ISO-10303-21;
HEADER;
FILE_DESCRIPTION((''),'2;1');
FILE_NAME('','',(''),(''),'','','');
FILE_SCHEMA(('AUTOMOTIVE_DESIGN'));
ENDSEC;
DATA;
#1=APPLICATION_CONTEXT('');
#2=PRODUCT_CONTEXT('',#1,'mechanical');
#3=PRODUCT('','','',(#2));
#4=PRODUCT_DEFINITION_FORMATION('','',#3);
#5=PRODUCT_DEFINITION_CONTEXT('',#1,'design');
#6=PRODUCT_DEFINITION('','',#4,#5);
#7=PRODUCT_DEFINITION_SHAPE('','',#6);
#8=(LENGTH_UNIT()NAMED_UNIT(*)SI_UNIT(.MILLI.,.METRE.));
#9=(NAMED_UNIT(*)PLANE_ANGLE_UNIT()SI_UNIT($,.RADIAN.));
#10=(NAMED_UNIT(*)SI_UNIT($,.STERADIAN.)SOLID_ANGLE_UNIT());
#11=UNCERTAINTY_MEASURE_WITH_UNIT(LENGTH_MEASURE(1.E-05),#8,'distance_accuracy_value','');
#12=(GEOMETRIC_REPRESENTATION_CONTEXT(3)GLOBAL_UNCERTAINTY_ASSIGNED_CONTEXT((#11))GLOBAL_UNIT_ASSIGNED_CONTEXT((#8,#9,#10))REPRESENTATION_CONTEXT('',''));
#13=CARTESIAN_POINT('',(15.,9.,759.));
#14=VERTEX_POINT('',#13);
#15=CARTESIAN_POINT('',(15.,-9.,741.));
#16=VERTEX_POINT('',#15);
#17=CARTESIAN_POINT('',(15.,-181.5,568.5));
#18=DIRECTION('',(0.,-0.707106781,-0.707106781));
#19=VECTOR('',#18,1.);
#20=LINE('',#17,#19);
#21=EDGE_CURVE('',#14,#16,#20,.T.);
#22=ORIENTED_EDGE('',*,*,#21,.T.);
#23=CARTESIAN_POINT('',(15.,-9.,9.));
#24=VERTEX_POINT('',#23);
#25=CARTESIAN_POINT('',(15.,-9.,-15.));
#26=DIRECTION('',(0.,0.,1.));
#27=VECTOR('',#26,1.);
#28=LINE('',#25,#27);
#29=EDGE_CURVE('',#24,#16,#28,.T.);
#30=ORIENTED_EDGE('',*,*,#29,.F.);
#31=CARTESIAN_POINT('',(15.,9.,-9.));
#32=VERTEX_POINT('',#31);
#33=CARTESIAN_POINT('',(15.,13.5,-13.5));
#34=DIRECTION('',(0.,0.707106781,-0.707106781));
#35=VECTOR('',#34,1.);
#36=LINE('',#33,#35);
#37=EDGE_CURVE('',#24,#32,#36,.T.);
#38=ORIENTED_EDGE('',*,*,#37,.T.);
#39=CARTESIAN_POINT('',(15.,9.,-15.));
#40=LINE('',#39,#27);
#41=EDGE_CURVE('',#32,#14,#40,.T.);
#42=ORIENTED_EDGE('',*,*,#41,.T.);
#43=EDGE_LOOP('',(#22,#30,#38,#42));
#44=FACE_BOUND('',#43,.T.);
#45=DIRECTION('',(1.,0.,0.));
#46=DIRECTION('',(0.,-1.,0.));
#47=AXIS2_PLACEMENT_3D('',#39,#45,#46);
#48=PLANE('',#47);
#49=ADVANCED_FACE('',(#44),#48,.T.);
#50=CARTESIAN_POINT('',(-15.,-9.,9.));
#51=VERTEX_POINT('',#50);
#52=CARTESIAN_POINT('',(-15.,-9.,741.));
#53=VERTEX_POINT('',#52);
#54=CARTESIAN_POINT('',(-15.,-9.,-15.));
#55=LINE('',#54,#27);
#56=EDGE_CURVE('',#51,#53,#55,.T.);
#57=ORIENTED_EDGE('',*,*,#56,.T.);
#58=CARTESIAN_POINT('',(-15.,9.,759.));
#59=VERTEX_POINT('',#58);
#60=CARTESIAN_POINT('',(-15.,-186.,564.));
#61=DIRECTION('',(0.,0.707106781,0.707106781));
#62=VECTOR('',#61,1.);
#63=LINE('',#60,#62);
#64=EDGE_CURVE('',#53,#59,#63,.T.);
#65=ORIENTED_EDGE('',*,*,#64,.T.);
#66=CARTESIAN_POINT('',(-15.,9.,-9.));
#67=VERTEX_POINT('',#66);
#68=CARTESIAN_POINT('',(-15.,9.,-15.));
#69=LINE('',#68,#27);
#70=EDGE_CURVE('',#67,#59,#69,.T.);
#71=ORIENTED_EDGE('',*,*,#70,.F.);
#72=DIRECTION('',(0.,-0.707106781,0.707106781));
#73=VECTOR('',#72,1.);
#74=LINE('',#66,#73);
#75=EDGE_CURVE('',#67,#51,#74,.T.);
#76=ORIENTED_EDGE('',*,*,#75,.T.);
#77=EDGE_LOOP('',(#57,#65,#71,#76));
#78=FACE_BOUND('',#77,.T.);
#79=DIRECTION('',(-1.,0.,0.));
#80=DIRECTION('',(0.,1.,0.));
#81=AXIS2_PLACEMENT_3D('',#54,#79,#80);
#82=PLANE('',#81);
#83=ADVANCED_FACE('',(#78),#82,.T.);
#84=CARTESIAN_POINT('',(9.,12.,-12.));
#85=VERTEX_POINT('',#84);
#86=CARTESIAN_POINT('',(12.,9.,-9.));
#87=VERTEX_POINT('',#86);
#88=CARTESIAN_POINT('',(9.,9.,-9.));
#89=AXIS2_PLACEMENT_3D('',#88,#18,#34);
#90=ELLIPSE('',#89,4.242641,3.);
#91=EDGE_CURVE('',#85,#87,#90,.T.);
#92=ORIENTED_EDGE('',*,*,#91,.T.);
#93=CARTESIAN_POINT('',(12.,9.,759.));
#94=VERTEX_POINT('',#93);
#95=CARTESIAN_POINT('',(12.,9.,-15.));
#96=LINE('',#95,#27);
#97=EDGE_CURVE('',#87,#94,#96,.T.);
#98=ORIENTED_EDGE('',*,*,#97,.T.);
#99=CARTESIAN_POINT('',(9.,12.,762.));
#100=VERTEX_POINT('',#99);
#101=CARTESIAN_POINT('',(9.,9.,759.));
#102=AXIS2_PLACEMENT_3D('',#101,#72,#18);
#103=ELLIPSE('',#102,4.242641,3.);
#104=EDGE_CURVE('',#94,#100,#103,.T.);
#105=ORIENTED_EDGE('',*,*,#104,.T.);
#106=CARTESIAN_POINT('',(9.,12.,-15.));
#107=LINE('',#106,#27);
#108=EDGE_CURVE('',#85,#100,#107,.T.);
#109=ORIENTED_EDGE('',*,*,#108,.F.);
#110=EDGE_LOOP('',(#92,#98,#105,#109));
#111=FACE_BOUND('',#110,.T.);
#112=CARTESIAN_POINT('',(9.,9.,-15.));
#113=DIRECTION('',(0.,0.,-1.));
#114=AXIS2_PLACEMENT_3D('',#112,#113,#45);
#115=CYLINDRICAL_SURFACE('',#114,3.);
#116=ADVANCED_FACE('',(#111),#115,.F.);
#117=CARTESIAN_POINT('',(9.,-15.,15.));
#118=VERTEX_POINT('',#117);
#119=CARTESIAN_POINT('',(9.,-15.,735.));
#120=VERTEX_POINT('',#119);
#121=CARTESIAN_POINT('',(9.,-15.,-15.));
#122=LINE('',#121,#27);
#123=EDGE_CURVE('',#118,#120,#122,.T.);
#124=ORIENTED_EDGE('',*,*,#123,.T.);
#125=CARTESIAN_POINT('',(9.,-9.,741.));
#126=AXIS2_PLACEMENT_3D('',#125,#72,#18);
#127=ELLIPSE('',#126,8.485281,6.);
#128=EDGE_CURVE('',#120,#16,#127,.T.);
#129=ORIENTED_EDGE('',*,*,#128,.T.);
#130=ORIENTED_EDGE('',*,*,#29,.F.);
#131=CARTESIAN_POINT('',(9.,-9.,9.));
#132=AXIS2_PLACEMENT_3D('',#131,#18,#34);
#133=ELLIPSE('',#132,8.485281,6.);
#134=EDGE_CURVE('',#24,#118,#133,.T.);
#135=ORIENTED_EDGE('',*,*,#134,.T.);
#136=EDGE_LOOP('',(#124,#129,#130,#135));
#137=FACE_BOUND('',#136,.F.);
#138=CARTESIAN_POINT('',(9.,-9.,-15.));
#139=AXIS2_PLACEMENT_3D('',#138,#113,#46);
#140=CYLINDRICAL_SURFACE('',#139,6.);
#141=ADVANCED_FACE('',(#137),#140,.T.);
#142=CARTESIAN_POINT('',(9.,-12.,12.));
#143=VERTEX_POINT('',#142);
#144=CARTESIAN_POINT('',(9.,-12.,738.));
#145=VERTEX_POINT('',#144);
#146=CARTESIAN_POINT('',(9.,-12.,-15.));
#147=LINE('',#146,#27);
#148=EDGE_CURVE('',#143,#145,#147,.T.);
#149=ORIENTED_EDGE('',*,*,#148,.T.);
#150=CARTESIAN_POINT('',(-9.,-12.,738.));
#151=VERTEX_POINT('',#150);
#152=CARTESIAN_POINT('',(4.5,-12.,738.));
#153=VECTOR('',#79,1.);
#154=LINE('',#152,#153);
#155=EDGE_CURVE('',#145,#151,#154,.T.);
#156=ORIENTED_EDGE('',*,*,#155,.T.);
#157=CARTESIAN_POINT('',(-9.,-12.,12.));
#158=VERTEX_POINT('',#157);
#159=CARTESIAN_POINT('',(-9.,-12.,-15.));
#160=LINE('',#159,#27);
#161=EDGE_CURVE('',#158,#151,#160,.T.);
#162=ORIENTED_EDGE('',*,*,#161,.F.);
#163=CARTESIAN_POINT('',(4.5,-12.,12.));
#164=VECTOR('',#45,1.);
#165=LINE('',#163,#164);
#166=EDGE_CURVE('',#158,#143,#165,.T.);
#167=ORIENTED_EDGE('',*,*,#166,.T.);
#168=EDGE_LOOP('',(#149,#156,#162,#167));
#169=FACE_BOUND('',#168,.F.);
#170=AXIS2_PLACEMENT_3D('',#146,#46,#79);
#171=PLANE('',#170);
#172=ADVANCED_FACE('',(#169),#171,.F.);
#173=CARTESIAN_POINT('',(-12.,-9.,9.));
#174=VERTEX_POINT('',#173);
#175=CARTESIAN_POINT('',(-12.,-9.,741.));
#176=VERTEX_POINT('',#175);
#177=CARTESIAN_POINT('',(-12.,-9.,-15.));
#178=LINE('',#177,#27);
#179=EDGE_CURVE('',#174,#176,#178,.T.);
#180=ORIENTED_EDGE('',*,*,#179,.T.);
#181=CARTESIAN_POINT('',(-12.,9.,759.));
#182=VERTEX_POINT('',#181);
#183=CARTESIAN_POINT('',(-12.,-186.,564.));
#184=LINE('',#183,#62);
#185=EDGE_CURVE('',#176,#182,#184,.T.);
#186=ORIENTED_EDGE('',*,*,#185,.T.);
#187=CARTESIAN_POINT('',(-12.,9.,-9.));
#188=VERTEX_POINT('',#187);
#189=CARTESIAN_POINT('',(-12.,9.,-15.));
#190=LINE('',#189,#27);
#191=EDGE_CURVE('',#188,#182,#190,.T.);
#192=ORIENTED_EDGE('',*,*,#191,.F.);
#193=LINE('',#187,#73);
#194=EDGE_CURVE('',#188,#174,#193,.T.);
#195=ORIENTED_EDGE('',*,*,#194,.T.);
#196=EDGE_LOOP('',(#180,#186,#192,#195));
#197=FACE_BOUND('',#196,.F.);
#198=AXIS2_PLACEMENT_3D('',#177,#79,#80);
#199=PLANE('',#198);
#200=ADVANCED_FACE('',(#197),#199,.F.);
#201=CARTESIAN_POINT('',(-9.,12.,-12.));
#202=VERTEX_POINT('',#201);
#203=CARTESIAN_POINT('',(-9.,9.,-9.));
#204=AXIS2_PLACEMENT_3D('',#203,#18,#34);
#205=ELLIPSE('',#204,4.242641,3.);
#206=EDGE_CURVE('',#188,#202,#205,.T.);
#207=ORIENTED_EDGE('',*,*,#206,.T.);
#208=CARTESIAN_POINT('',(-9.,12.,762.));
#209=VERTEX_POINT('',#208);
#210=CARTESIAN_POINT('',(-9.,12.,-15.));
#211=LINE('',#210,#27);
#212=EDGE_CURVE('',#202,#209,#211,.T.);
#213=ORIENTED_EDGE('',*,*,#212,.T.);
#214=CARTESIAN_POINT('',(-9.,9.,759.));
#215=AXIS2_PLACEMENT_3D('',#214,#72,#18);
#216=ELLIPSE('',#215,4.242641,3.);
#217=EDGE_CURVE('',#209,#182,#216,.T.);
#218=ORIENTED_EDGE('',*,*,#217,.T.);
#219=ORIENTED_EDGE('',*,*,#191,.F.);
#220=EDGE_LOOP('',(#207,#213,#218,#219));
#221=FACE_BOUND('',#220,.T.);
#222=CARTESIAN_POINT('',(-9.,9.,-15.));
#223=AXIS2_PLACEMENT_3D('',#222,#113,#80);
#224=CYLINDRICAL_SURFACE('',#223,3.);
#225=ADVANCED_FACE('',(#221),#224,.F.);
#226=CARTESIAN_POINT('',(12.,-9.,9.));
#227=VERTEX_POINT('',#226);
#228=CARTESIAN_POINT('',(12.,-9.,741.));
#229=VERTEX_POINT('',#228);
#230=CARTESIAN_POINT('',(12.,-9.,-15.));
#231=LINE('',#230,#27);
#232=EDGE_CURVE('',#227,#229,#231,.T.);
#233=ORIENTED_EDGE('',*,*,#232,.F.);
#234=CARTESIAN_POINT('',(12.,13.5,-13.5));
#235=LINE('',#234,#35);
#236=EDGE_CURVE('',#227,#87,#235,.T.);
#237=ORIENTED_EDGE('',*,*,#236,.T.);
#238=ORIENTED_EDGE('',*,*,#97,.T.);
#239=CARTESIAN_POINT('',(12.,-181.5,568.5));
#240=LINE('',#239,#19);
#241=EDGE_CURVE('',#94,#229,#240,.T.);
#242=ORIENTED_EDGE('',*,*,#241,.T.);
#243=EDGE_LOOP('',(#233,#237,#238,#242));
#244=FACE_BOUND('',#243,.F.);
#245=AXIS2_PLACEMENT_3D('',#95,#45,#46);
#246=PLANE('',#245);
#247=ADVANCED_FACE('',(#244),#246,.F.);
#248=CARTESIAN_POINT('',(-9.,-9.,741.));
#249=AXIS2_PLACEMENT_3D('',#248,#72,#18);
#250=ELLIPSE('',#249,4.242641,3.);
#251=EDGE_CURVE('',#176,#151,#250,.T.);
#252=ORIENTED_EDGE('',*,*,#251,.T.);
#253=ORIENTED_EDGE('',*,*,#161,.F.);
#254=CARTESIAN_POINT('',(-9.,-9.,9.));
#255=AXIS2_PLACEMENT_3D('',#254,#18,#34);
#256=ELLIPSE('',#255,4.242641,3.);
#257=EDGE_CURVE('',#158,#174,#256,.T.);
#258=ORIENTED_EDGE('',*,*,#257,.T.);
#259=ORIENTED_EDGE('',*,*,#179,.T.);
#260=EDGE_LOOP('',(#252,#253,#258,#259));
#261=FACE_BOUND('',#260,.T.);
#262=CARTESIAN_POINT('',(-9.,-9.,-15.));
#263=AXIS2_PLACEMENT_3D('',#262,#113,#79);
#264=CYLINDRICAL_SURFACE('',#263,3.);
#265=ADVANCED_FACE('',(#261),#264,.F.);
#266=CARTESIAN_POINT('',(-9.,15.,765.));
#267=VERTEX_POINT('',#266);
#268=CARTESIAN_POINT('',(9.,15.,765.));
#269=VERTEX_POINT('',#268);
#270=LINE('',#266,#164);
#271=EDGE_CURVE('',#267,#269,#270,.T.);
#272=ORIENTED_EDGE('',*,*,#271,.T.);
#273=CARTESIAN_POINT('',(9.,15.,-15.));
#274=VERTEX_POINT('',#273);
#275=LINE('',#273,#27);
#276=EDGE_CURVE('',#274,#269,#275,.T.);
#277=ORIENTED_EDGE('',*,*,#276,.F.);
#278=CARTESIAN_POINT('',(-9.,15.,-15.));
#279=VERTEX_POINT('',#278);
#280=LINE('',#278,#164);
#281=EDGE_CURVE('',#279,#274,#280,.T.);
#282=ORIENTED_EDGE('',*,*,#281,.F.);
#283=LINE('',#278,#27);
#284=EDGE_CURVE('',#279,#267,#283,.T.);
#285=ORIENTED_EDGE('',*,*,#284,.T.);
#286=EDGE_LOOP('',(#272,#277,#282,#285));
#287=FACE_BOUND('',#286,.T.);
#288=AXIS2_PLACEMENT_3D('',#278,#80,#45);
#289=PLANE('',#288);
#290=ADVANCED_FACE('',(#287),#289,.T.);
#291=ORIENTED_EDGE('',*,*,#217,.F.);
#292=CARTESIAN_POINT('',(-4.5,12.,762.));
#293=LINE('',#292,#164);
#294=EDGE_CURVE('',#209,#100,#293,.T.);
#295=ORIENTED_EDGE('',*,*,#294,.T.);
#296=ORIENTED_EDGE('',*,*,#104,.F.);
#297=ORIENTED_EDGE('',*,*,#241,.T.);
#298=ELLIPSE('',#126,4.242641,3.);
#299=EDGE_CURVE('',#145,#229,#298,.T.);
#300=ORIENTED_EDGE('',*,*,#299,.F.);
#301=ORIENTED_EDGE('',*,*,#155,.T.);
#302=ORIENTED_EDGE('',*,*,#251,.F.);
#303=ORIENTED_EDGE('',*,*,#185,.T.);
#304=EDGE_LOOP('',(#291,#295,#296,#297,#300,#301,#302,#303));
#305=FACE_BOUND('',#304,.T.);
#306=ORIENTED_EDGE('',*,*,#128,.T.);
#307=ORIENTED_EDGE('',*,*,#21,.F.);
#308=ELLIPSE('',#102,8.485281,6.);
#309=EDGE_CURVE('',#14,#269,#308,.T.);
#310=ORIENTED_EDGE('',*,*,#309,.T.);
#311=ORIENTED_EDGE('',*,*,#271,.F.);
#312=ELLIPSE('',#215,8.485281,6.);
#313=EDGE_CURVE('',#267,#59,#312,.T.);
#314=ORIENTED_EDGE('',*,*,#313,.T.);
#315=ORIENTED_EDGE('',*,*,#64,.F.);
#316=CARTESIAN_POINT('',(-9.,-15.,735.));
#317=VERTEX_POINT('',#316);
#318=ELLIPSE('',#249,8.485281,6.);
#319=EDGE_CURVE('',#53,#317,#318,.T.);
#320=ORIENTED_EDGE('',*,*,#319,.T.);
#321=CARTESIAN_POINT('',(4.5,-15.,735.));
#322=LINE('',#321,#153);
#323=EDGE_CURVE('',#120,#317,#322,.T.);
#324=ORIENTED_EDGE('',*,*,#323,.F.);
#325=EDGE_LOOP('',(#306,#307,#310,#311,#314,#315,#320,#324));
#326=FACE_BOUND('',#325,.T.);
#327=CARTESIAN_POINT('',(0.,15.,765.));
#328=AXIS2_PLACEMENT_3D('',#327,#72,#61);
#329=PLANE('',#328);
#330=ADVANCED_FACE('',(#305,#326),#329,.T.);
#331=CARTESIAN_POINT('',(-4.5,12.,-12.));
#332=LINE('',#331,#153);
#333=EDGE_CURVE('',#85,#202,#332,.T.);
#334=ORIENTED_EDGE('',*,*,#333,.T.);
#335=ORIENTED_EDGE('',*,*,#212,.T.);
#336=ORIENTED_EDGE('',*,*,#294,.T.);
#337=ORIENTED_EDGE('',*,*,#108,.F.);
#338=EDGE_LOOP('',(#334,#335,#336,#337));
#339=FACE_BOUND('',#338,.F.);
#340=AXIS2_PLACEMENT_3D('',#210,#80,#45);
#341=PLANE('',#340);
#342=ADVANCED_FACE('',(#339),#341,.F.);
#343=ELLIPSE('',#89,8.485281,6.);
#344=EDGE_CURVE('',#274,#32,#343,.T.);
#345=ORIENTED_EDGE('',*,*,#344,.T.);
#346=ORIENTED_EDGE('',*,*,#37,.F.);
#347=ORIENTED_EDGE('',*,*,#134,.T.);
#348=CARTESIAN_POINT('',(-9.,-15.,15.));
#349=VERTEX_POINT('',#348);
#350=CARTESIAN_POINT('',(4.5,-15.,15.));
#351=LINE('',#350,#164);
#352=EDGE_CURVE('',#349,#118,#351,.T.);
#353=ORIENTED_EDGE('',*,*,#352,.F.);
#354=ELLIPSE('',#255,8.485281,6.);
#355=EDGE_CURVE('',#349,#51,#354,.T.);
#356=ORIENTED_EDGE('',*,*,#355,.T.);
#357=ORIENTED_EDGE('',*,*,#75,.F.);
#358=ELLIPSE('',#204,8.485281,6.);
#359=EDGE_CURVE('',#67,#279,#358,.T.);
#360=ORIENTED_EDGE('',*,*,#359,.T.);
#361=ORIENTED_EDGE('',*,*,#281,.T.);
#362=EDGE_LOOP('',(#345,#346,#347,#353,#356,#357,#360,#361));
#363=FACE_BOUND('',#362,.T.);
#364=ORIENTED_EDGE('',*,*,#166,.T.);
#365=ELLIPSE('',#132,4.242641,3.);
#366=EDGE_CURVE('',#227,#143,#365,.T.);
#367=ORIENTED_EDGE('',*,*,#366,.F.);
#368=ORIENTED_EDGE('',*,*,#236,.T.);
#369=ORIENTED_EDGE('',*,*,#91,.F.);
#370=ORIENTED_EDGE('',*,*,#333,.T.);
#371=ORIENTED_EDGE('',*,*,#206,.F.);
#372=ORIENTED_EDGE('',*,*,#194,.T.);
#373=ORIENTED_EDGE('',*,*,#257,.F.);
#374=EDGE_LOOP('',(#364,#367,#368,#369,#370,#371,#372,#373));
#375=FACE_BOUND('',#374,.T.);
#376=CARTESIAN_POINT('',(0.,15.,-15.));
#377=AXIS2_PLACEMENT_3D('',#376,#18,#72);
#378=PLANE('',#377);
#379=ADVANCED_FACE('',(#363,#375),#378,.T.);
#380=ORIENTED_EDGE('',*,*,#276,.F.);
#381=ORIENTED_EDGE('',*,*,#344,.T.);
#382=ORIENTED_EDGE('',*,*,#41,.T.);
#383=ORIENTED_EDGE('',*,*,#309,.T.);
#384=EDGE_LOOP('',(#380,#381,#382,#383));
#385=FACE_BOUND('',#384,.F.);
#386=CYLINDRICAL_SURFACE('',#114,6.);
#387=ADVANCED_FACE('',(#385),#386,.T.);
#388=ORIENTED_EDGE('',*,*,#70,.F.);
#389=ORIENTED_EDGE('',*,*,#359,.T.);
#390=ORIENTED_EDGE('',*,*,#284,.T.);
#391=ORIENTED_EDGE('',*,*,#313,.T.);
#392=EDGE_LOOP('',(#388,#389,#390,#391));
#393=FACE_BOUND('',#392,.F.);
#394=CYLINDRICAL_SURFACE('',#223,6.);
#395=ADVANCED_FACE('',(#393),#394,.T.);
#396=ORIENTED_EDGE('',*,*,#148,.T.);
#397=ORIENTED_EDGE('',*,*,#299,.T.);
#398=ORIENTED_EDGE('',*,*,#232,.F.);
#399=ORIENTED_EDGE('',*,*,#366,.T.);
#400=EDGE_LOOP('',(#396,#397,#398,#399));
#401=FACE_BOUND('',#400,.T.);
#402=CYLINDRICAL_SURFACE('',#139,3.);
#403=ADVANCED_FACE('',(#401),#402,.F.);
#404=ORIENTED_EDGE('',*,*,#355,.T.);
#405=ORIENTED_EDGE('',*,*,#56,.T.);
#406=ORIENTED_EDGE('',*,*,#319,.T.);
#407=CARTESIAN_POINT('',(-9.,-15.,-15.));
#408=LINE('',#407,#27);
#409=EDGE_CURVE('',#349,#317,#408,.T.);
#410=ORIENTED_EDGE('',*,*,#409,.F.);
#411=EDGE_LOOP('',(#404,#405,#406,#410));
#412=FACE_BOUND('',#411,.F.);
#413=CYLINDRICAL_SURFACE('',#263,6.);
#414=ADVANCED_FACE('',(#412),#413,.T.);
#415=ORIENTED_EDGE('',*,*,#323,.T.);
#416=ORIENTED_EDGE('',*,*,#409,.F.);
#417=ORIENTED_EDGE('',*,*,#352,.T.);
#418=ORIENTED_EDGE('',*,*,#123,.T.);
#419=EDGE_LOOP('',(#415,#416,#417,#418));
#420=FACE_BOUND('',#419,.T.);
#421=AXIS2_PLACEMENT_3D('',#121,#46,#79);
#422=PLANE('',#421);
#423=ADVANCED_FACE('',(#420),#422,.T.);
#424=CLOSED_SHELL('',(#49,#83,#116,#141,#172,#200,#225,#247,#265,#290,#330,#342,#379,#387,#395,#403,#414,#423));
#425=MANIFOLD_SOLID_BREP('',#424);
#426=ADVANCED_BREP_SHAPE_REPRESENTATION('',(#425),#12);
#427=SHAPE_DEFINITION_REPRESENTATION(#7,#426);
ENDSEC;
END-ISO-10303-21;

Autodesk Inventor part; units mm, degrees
ref_plane "Start Plane" through (0, 0, -15) normal (0, 0, 1) x (1, 0, 0)
ref_plane "End Plane" through (0, 0, 765) normal (0, 0, 1) x (1, 0, 0)
sketch "Sketch" plane through (0, 0, 0) normal (0, 0, 1) x (1, 0, 0)
  line L0 (-15, -9) -> (-15, 9)
  line L1 (-9, 15) -> (9, 15)
  line L2 (15, 9) -> (15, -9)
  line L3 (9, -15) -> (-9, -15)
  arc A0 (-15, -9) -> (-9, -15) centre (-9, -9) ccw
  arc A1 (-9, 15) -> (-15, 9) centre (-9, 9) ccw
  arc A2 (15, 9) -> (9, 15) centre (9, 9) ccw
  arc A3 (9, -15) -> (15, -9) centre (9, -9) ccw
  arc A4 (-9, 12) -> (-12, 9) centre (-9, 9) ccw
  line L4 (-9, 12) -> (9, 12)
  arc A5 (12, 9) -> (9, 12) centre (9, 9) ccw
  line L5 (12, 9) -> (12, -9)
  arc A6 (9, -12) -> (12, -9) centre (9, -9) ccw
  line L6 (9, -12) -> (-9, -12)
  arc A7 (-12, -9) -> (-9, -12) centre (-9, -9) ccw
  line L7 (-12, -9) -> (-12, 9)
  line L8 (0, 22.7397) -> (0, -22.7397) construction
  line L9 (-22.7397, 0) -> (22.7397, 0) construction
  dimension "d7" = 6
  dimension "d10" = 30
  dimension "d11" = 30
  dimension "d12" = 3
  dimension "d15" = 15
  dimension "d16" = 15
extrude "Body" add sketch "Sketch" along normal up to surface (780 mm away) from surface at -15
sketch "Sketch3" plane through (0, 0, 0) normal (0, 0, 1) x (1, 0, 0)
  line L0 (0, 0) -> (10, 0)
ref_plane "Work Plane3" through (0, 0, 0) normal (0, -1, 0) x (1, 0, 0)
ref_plane "Work Plane4" through (0, 15, 765) normal (0, -0.7071, 0.7071) x (1, 0, 0)
split "Split1" plane through (0, 15, 765) removes the side toward (0, -0.7071, 0.7071)
ref_plane "Work Plane5" through (0, 15, -15) normal (0, -0.7071, -0.7071) x (1, 0, 0)
split "Split2" plane through (0, 15, -15) removes the side toward (0, -0.7071, -0.7071)
sketch "Sketch4" plane through (0, 0, 0) normal (0, -1, 0) x (1, 0, 0)
  line L0 (-2, -15) -> (12, -15) projected
  line L1 (-2, 765) -> (12, 765) projected
  dimension "d18" = 780
equation "\"d7\" = G_IR"
equation "\"d10\" = G_H"
equation "\"d11\" = G_W"
equation "\"d12\" = G_T"
equation "\"d15\" = 0.5 * d10"
equation "\"d16\" = 0.5 * d11"
equation "\"d3\" = G_L"
equation "\"G_W\" = 30"
equation "\"G_H\" = 30"
equation "\"G_T\" = 3"
equation "\"G_IR\" = 6"
equation "\"G_L\" = d18"
equation "\"G_OFFSET_START\" = 15"
equation "\"G_OFFSET_END\" = 15"
equation "\"d13\" = -G_OFFSET_START"
equation "\"d14\" = G_OFFSET_END + B_L"
equation "\"B_L\" = 750"
properties part number "DIN EN 10219-2 - 30 x 30 x 3  - 780" material "Steel, Mild"
